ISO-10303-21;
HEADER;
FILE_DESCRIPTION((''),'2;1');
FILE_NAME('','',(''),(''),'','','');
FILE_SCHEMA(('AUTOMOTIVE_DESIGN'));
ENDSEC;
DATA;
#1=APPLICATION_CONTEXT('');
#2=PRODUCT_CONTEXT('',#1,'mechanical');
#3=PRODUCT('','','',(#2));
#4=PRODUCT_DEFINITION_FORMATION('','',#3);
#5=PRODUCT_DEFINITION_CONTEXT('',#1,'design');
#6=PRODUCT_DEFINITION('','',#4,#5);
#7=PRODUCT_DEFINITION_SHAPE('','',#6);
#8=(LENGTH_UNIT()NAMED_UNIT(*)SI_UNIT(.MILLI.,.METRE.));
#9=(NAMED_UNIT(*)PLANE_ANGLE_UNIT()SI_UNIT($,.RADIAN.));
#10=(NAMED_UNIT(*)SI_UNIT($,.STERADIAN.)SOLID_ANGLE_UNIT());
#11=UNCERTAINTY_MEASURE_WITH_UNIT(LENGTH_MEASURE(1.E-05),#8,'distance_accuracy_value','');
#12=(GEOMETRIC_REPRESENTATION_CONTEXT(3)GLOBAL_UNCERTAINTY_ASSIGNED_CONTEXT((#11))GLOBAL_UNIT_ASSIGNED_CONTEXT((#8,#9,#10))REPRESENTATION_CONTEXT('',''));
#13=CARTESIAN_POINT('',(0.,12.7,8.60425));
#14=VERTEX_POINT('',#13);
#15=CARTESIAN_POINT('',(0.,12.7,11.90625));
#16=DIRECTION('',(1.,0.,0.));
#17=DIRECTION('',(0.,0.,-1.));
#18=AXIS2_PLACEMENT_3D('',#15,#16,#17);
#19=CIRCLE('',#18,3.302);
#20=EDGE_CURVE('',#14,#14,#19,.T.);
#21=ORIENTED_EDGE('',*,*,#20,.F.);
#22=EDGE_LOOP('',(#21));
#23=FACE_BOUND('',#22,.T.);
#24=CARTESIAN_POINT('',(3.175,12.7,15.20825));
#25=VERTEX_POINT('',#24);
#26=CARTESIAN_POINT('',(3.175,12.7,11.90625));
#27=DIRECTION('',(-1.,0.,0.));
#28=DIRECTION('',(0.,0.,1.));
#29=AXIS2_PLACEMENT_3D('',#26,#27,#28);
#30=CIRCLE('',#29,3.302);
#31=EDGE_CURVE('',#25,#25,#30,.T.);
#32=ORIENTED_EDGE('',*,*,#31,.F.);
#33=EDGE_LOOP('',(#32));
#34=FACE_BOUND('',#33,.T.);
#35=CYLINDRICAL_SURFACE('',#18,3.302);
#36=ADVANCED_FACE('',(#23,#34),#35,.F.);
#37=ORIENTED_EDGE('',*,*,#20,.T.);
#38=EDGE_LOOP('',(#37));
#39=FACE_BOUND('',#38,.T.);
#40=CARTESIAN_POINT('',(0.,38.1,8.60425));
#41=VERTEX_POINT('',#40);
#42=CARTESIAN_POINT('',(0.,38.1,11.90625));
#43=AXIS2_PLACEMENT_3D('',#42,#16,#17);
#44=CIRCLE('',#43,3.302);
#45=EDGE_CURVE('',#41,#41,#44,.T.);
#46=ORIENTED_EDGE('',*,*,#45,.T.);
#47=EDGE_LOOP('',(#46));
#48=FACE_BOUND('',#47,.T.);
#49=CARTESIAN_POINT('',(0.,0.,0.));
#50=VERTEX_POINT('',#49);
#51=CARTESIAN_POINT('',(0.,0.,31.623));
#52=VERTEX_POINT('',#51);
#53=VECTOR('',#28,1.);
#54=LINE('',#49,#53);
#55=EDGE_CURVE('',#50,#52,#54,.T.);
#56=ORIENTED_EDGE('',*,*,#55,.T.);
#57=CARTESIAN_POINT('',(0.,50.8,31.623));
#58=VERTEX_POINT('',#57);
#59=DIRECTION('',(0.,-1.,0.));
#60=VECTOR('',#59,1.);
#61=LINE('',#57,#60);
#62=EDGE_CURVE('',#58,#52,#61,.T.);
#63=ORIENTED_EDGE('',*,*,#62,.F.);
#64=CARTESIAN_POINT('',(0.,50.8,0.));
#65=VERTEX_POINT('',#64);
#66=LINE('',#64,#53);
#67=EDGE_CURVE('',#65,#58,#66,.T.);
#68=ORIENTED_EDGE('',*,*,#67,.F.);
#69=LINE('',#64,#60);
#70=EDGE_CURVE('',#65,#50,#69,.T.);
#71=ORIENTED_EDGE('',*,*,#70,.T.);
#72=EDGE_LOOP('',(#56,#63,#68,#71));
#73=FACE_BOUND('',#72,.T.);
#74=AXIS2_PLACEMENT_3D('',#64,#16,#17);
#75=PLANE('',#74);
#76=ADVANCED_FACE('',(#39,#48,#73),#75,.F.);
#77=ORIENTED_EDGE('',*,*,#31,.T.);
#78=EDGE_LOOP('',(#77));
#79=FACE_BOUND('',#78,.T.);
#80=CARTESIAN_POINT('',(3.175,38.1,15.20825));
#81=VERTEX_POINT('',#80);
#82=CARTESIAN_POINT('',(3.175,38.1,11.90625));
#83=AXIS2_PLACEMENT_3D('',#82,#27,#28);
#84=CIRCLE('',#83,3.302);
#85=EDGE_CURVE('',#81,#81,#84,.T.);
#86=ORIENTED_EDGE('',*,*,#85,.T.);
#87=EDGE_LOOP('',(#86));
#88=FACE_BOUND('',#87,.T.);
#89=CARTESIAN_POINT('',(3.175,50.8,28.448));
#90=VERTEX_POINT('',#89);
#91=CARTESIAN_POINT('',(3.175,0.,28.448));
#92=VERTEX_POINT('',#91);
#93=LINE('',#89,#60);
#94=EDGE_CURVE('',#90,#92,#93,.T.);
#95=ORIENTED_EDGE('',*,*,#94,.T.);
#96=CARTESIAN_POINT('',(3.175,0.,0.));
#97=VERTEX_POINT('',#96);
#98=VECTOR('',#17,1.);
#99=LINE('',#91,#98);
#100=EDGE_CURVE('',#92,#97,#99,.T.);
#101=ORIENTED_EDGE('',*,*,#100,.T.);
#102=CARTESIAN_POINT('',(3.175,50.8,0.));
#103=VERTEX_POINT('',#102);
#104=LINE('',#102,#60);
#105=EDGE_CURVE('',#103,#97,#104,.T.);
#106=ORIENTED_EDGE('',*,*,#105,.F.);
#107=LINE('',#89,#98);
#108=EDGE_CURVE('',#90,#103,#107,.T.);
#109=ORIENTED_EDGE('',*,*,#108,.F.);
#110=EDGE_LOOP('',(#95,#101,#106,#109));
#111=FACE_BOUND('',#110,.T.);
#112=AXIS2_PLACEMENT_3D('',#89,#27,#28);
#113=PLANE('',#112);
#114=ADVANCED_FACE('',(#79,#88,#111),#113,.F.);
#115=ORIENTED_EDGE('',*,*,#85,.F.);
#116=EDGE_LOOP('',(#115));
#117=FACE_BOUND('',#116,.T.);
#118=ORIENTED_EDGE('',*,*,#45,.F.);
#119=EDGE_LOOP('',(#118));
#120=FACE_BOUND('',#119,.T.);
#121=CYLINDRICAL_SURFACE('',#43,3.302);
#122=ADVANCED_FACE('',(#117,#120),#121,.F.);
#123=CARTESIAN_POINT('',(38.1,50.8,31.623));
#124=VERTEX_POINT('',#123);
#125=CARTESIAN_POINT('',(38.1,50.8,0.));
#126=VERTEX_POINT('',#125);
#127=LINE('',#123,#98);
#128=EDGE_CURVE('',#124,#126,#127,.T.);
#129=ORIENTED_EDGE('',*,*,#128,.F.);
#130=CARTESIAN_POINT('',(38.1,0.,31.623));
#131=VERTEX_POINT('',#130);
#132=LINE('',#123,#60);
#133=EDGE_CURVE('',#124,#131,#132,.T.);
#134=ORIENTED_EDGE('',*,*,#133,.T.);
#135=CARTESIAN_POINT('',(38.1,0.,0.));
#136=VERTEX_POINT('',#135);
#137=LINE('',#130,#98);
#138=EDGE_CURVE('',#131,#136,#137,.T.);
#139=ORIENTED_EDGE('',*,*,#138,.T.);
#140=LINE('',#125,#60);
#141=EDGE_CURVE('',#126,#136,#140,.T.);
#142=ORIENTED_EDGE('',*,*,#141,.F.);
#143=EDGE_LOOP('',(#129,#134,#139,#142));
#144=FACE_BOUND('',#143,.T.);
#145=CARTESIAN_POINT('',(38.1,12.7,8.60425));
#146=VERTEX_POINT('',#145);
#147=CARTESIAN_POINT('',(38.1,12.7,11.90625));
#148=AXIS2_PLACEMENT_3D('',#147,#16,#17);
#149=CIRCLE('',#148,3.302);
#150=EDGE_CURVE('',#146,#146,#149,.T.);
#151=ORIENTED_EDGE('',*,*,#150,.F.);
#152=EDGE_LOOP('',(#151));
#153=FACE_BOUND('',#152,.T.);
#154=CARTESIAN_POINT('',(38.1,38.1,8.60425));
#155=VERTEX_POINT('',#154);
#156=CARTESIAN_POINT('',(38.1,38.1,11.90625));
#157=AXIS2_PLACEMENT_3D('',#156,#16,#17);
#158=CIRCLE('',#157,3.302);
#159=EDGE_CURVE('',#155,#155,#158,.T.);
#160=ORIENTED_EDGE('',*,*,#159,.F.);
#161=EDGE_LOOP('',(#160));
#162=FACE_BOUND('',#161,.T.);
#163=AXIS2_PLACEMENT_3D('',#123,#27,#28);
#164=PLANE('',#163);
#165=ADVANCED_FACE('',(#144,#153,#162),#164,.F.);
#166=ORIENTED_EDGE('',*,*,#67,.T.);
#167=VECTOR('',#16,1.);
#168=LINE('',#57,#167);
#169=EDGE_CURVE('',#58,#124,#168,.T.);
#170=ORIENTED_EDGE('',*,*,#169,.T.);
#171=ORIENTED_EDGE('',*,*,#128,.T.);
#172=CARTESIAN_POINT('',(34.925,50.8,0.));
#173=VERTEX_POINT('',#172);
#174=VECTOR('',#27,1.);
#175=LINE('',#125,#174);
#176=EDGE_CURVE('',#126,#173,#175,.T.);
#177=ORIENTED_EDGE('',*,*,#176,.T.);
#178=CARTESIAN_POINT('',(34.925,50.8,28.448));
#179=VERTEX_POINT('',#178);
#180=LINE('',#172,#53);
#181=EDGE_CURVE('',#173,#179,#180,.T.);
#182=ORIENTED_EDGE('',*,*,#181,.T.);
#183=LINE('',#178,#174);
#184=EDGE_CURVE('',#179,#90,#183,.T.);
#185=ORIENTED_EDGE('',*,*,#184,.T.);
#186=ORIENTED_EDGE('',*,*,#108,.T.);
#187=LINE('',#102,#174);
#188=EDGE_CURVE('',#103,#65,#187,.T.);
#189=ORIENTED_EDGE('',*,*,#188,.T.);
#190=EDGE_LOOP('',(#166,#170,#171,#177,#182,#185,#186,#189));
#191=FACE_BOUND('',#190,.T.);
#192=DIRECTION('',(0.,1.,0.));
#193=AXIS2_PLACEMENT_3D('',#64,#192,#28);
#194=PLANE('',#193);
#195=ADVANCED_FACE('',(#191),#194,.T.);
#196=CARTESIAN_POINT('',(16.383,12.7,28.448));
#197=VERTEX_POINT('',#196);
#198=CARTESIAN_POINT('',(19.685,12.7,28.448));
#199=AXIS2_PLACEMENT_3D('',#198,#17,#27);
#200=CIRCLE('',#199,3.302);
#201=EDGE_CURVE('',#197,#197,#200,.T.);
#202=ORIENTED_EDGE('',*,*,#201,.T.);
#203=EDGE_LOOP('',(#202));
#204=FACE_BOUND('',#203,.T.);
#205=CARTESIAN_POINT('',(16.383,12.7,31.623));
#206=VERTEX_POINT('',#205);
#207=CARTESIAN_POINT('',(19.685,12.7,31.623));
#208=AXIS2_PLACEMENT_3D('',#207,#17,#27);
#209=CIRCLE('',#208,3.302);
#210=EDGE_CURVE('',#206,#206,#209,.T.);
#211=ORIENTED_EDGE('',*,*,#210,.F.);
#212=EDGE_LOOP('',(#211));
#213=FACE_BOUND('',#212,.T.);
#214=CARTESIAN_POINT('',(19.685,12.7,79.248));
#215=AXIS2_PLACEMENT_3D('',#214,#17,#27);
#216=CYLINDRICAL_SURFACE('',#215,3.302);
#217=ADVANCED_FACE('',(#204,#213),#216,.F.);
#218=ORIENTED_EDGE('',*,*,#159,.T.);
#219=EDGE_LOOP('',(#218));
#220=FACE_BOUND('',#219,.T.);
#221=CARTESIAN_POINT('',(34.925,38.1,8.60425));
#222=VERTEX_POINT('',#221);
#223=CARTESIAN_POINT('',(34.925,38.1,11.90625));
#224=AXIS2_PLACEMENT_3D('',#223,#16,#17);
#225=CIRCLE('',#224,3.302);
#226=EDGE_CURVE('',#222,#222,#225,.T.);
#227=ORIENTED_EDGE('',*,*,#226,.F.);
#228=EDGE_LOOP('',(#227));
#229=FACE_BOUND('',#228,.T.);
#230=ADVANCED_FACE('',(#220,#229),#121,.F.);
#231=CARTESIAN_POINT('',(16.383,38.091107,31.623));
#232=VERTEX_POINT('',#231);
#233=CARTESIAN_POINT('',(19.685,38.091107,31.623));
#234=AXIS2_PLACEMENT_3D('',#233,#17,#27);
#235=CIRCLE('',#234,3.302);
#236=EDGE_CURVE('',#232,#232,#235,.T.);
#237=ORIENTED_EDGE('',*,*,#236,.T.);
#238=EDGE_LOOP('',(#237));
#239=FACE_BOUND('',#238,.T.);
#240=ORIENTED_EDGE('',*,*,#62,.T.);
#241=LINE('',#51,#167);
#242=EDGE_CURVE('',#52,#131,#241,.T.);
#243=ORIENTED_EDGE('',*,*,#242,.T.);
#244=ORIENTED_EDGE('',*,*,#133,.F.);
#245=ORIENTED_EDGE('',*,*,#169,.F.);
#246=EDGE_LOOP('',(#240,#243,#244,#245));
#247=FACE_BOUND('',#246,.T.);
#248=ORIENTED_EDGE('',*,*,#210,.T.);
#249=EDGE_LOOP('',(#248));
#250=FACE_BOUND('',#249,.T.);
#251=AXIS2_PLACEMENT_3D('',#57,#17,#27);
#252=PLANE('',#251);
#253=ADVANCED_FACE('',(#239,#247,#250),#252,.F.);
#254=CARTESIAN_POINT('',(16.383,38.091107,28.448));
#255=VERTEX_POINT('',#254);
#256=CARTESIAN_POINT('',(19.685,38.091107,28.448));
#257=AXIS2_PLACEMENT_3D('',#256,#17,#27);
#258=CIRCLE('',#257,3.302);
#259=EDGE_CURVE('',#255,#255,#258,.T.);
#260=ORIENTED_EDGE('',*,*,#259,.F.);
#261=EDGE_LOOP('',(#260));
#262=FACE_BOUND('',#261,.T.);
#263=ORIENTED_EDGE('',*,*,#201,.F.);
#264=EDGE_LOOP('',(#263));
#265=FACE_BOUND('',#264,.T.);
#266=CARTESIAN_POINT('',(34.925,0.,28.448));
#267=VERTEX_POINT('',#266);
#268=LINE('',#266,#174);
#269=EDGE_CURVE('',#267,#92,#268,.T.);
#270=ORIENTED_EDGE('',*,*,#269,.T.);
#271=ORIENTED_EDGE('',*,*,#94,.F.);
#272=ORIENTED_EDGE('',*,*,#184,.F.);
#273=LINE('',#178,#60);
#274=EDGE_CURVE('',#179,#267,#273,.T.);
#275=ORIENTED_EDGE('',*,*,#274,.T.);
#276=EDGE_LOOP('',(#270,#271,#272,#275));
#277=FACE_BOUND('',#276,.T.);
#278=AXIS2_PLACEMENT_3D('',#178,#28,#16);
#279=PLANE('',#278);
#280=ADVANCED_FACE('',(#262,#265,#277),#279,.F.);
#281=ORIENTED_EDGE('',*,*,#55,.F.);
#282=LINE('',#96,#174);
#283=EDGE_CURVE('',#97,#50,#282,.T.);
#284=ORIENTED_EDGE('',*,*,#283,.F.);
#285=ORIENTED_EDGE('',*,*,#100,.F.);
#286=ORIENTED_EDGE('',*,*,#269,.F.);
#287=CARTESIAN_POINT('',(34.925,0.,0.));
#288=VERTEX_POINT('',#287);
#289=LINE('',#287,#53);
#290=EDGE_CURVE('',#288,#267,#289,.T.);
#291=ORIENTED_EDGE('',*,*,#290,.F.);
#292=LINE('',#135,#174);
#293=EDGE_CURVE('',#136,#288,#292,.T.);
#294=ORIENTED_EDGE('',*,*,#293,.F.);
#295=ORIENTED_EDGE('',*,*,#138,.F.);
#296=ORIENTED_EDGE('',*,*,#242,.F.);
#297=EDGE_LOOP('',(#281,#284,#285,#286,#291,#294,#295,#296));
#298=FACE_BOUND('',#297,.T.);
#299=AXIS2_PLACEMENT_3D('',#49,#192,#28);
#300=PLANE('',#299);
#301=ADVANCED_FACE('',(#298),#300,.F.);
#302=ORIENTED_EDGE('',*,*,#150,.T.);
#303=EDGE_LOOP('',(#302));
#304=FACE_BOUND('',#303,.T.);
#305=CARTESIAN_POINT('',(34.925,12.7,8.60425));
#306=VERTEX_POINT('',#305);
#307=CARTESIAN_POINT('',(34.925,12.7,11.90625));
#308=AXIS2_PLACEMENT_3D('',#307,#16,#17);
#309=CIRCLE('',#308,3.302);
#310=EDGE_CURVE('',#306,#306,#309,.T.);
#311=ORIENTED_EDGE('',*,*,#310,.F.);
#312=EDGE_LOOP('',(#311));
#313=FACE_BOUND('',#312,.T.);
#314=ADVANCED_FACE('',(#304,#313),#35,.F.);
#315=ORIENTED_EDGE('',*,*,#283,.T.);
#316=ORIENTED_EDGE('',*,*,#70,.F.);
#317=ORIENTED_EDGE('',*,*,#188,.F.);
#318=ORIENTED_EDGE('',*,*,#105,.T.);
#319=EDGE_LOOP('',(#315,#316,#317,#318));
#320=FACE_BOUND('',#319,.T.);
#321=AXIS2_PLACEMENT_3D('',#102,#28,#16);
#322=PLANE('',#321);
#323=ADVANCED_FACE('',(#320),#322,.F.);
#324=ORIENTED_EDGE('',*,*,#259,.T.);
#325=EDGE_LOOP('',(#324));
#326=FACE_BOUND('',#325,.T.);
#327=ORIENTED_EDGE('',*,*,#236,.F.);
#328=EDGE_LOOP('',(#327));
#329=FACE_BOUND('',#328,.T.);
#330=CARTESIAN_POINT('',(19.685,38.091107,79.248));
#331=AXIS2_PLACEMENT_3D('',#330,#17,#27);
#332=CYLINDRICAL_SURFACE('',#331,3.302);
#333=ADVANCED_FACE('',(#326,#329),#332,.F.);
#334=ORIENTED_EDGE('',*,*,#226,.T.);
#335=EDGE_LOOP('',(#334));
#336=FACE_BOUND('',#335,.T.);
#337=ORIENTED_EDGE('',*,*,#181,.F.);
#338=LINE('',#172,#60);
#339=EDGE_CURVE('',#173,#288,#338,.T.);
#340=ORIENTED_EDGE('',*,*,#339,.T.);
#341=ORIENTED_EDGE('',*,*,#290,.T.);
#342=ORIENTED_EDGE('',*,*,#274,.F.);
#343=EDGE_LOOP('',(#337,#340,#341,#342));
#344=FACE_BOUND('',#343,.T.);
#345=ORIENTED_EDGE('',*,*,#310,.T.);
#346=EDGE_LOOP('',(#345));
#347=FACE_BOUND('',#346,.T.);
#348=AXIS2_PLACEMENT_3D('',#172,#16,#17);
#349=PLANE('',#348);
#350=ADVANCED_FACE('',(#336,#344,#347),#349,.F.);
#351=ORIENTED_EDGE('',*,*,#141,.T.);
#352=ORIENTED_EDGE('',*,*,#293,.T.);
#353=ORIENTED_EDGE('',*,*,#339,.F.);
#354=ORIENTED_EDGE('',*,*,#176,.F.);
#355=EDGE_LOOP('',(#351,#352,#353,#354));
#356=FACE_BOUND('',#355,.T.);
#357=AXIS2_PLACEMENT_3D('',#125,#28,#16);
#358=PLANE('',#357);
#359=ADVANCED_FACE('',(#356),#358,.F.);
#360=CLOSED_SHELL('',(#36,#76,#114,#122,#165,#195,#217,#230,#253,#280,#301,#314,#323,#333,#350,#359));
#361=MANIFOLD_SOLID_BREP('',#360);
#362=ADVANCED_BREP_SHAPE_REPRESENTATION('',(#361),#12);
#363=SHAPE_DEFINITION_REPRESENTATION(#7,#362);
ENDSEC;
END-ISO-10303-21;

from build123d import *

# Parameters (mm, degrees)
BOSS_EXTRUDE1_DEPTH = 50.8
SKETCH3_R           = 3.302
CUT_EXTRUDE1_DEPTH  = 50.8
SKETCH4_R           = 3.302
CUT_EXTRUDE2_DEPTH  = 71.938453105


with BuildPart() as part:
    # Sketch2 → Boss-Extrude1 (new body)
    with BuildSketch(Plane(origin=(0, 0, 0), x_dir=(1, 0, 0), z_dir=(0, 1, 0))):
        Polygon((0, 0), (0, -31.623), (38.1, -31.623), (38.1, 0), (34.925, 0), (34.925, -28.448), (3.175, -28.448), (3.175, 0), align=None)
    extrude(amount=BOSS_EXTRUDE1_DEPTH)

    # Sketch3 → Cut-Extrude1 (cut)
    with BuildSketch(Plane(origin=(0, 0, 28.448), x_dir=(-1, 0, 0), z_dir=(0, 0, -1))):
        with Locations((-19.685, 12.7)):
            Circle(SKETCH3_R)
        with Locations((-19.685, 38.091107032)):
            Circle(SKETCH3_R)
    extrude(amount=-CUT_EXTRUDE1_DEPTH, mode=Mode.SUBTRACT)

    # Sketch4 → Cut-Extrude2 (cut, through all)
    with BuildSketch(Plane(origin=(38.1, 0, 0), x_dir=(0, 0, -1), z_dir=(1, 0, 0))):
        with Locations((-11.90625, 38.1)):
            Circle(SKETCH4_R)
        with Locations((-11.90625, 12.7)):
            Circle(SKETCH4_R)
    extrude(amount=-CUT_EXTRUDE2_DEPTH, mode=Mode.SUBTRACT)


solid = part.part
